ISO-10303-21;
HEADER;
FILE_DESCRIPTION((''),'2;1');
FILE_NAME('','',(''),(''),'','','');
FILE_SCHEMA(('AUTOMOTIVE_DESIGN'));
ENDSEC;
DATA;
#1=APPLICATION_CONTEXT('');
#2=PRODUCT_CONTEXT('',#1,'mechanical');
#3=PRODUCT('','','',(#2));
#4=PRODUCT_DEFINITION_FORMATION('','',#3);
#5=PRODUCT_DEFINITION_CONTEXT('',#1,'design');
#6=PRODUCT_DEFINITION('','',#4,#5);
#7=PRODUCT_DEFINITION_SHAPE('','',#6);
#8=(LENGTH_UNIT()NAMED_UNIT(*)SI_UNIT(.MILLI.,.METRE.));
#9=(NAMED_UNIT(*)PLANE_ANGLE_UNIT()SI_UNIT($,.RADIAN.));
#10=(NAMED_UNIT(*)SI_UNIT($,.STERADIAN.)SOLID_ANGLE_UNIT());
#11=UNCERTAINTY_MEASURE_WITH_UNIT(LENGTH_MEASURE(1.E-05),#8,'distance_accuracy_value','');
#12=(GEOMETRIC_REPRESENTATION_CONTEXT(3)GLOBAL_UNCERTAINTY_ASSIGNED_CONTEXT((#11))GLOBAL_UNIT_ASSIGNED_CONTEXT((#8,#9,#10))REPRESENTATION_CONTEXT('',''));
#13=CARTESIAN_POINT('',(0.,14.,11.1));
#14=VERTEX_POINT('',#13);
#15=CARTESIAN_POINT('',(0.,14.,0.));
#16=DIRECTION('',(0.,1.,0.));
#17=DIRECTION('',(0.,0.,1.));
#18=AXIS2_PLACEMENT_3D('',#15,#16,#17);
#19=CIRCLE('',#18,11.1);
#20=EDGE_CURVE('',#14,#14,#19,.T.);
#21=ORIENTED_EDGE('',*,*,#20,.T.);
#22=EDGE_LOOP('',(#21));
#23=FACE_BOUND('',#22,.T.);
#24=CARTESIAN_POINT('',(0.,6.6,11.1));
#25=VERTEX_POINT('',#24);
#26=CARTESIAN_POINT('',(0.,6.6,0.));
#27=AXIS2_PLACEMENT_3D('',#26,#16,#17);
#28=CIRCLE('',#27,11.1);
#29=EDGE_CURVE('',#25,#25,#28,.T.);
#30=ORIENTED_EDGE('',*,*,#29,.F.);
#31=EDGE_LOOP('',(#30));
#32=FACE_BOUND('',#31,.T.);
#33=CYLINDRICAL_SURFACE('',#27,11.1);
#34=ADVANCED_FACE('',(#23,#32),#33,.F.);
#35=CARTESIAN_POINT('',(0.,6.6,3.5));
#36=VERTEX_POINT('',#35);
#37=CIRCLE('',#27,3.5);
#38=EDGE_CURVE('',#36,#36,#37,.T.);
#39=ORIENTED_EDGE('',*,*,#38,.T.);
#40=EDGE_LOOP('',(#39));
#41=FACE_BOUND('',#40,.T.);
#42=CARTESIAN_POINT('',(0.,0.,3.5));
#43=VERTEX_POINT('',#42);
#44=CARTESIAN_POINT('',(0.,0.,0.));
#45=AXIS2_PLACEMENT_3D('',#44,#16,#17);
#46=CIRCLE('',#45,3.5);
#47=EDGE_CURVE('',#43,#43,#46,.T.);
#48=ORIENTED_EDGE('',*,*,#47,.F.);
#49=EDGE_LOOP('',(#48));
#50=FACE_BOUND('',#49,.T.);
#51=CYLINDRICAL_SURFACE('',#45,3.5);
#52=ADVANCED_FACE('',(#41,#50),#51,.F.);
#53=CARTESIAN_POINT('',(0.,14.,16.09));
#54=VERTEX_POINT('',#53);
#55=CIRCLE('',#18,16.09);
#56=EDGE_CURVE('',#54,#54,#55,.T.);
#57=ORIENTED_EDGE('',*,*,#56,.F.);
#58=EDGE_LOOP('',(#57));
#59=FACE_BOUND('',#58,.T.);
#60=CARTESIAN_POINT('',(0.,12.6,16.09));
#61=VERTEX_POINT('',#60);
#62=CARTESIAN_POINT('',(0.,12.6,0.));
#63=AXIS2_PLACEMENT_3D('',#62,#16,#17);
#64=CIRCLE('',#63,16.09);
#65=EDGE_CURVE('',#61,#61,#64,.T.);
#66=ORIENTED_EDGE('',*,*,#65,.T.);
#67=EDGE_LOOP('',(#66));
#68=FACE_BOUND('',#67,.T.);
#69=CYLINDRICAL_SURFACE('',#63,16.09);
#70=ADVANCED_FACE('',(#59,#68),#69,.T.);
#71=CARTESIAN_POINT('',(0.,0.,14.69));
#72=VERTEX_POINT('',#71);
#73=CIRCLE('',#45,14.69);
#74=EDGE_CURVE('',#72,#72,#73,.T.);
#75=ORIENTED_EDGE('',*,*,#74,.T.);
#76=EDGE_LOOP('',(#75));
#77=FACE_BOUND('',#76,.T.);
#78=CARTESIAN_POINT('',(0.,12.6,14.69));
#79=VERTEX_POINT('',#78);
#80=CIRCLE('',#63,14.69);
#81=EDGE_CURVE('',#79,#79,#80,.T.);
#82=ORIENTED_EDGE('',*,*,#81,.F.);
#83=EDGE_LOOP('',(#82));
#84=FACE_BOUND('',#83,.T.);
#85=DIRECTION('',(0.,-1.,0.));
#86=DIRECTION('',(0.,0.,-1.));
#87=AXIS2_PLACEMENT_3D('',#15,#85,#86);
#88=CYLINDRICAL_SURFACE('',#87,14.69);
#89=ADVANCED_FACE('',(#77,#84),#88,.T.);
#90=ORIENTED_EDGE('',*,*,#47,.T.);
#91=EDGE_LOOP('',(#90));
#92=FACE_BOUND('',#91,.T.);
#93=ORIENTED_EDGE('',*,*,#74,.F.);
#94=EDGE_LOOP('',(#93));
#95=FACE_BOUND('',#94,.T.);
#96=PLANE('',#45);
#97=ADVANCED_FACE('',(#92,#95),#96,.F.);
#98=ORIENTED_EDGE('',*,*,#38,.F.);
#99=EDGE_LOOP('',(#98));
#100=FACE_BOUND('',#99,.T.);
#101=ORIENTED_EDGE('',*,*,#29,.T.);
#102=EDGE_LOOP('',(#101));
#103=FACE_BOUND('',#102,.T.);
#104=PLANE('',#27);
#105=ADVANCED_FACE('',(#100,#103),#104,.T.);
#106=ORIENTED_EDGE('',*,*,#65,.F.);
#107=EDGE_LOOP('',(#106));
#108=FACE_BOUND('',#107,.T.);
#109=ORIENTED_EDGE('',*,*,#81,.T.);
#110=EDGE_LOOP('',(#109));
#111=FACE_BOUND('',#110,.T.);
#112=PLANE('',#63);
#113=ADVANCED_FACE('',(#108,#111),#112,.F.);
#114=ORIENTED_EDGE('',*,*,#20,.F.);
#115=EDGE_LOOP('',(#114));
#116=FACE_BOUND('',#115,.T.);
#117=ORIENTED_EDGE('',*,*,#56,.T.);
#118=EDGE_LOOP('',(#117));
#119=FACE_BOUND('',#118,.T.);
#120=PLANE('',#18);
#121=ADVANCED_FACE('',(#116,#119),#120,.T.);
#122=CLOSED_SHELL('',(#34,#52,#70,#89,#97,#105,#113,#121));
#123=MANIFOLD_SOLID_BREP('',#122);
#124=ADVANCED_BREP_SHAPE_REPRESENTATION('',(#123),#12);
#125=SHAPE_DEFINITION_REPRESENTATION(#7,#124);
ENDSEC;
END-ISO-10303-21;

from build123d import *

# Parameters (mm, degrees)
SKETCH1_R           = 14.69
BOSS_EXTRUDE1_DEPTH = 14
SKETCH2_R           = 11.1
CUT_EXTRUDE1_DEPTH  = 7.4
SKETCH3_R           = 16.09
SKETCH3_R_2         = 14.69
BOSS_EXTRUDE2_DEPTH = 1.4
SKETCH4_R           = 3.5
CUT_EXTRUDE2_DEPTH  = 7.6


with BuildPart() as part:
    # Sketch1 → Boss-Extrude1 (new body)
    with BuildSketch(Plane(origin=(0, 0, 0), x_dir=(1, 0, 0), z_dir=(0, 1, 0))):
        Circle(SKETCH1_R)
    extrude(amount=BOSS_EXTRUDE1_DEPTH)

    # Sketch2 → Cut-Extrude1 (cut)
    with BuildSketch(Plane(origin=(0, 14, 0), x_dir=(1, 0, 0), z_dir=(0, 1, 0))):
        Circle(SKETCH2_R)
    extrude(amount=-CUT_EXTRUDE1_DEPTH, mode=Mode.SUBTRACT)

    # Sketch3 → Boss-Extrude2 (add)
    with BuildSketch(Plane(origin=(0, 14, 0), x_dir=(1, 0, 0), z_dir=(0, 1, 0))):
        Circle(SKETCH3_R)
        Circle(SKETCH3_R_2, mode=Mode.SUBTRACT)
    extrude(amount=-BOSS_EXTRUDE2_DEPTH)

    # Sketch4 → Cut-Extrude2 (cut, through all)
    with BuildSketch(Plane(origin=(0, 6.6, 0), x_dir=(1, 0, 0), z_dir=(0, 1, 0))):
        Circle(SKETCH4_R)
    extrude(amount=-CUT_EXTRUDE2_DEPTH, mode=Mode.SUBTRACT)


solid = part.part
